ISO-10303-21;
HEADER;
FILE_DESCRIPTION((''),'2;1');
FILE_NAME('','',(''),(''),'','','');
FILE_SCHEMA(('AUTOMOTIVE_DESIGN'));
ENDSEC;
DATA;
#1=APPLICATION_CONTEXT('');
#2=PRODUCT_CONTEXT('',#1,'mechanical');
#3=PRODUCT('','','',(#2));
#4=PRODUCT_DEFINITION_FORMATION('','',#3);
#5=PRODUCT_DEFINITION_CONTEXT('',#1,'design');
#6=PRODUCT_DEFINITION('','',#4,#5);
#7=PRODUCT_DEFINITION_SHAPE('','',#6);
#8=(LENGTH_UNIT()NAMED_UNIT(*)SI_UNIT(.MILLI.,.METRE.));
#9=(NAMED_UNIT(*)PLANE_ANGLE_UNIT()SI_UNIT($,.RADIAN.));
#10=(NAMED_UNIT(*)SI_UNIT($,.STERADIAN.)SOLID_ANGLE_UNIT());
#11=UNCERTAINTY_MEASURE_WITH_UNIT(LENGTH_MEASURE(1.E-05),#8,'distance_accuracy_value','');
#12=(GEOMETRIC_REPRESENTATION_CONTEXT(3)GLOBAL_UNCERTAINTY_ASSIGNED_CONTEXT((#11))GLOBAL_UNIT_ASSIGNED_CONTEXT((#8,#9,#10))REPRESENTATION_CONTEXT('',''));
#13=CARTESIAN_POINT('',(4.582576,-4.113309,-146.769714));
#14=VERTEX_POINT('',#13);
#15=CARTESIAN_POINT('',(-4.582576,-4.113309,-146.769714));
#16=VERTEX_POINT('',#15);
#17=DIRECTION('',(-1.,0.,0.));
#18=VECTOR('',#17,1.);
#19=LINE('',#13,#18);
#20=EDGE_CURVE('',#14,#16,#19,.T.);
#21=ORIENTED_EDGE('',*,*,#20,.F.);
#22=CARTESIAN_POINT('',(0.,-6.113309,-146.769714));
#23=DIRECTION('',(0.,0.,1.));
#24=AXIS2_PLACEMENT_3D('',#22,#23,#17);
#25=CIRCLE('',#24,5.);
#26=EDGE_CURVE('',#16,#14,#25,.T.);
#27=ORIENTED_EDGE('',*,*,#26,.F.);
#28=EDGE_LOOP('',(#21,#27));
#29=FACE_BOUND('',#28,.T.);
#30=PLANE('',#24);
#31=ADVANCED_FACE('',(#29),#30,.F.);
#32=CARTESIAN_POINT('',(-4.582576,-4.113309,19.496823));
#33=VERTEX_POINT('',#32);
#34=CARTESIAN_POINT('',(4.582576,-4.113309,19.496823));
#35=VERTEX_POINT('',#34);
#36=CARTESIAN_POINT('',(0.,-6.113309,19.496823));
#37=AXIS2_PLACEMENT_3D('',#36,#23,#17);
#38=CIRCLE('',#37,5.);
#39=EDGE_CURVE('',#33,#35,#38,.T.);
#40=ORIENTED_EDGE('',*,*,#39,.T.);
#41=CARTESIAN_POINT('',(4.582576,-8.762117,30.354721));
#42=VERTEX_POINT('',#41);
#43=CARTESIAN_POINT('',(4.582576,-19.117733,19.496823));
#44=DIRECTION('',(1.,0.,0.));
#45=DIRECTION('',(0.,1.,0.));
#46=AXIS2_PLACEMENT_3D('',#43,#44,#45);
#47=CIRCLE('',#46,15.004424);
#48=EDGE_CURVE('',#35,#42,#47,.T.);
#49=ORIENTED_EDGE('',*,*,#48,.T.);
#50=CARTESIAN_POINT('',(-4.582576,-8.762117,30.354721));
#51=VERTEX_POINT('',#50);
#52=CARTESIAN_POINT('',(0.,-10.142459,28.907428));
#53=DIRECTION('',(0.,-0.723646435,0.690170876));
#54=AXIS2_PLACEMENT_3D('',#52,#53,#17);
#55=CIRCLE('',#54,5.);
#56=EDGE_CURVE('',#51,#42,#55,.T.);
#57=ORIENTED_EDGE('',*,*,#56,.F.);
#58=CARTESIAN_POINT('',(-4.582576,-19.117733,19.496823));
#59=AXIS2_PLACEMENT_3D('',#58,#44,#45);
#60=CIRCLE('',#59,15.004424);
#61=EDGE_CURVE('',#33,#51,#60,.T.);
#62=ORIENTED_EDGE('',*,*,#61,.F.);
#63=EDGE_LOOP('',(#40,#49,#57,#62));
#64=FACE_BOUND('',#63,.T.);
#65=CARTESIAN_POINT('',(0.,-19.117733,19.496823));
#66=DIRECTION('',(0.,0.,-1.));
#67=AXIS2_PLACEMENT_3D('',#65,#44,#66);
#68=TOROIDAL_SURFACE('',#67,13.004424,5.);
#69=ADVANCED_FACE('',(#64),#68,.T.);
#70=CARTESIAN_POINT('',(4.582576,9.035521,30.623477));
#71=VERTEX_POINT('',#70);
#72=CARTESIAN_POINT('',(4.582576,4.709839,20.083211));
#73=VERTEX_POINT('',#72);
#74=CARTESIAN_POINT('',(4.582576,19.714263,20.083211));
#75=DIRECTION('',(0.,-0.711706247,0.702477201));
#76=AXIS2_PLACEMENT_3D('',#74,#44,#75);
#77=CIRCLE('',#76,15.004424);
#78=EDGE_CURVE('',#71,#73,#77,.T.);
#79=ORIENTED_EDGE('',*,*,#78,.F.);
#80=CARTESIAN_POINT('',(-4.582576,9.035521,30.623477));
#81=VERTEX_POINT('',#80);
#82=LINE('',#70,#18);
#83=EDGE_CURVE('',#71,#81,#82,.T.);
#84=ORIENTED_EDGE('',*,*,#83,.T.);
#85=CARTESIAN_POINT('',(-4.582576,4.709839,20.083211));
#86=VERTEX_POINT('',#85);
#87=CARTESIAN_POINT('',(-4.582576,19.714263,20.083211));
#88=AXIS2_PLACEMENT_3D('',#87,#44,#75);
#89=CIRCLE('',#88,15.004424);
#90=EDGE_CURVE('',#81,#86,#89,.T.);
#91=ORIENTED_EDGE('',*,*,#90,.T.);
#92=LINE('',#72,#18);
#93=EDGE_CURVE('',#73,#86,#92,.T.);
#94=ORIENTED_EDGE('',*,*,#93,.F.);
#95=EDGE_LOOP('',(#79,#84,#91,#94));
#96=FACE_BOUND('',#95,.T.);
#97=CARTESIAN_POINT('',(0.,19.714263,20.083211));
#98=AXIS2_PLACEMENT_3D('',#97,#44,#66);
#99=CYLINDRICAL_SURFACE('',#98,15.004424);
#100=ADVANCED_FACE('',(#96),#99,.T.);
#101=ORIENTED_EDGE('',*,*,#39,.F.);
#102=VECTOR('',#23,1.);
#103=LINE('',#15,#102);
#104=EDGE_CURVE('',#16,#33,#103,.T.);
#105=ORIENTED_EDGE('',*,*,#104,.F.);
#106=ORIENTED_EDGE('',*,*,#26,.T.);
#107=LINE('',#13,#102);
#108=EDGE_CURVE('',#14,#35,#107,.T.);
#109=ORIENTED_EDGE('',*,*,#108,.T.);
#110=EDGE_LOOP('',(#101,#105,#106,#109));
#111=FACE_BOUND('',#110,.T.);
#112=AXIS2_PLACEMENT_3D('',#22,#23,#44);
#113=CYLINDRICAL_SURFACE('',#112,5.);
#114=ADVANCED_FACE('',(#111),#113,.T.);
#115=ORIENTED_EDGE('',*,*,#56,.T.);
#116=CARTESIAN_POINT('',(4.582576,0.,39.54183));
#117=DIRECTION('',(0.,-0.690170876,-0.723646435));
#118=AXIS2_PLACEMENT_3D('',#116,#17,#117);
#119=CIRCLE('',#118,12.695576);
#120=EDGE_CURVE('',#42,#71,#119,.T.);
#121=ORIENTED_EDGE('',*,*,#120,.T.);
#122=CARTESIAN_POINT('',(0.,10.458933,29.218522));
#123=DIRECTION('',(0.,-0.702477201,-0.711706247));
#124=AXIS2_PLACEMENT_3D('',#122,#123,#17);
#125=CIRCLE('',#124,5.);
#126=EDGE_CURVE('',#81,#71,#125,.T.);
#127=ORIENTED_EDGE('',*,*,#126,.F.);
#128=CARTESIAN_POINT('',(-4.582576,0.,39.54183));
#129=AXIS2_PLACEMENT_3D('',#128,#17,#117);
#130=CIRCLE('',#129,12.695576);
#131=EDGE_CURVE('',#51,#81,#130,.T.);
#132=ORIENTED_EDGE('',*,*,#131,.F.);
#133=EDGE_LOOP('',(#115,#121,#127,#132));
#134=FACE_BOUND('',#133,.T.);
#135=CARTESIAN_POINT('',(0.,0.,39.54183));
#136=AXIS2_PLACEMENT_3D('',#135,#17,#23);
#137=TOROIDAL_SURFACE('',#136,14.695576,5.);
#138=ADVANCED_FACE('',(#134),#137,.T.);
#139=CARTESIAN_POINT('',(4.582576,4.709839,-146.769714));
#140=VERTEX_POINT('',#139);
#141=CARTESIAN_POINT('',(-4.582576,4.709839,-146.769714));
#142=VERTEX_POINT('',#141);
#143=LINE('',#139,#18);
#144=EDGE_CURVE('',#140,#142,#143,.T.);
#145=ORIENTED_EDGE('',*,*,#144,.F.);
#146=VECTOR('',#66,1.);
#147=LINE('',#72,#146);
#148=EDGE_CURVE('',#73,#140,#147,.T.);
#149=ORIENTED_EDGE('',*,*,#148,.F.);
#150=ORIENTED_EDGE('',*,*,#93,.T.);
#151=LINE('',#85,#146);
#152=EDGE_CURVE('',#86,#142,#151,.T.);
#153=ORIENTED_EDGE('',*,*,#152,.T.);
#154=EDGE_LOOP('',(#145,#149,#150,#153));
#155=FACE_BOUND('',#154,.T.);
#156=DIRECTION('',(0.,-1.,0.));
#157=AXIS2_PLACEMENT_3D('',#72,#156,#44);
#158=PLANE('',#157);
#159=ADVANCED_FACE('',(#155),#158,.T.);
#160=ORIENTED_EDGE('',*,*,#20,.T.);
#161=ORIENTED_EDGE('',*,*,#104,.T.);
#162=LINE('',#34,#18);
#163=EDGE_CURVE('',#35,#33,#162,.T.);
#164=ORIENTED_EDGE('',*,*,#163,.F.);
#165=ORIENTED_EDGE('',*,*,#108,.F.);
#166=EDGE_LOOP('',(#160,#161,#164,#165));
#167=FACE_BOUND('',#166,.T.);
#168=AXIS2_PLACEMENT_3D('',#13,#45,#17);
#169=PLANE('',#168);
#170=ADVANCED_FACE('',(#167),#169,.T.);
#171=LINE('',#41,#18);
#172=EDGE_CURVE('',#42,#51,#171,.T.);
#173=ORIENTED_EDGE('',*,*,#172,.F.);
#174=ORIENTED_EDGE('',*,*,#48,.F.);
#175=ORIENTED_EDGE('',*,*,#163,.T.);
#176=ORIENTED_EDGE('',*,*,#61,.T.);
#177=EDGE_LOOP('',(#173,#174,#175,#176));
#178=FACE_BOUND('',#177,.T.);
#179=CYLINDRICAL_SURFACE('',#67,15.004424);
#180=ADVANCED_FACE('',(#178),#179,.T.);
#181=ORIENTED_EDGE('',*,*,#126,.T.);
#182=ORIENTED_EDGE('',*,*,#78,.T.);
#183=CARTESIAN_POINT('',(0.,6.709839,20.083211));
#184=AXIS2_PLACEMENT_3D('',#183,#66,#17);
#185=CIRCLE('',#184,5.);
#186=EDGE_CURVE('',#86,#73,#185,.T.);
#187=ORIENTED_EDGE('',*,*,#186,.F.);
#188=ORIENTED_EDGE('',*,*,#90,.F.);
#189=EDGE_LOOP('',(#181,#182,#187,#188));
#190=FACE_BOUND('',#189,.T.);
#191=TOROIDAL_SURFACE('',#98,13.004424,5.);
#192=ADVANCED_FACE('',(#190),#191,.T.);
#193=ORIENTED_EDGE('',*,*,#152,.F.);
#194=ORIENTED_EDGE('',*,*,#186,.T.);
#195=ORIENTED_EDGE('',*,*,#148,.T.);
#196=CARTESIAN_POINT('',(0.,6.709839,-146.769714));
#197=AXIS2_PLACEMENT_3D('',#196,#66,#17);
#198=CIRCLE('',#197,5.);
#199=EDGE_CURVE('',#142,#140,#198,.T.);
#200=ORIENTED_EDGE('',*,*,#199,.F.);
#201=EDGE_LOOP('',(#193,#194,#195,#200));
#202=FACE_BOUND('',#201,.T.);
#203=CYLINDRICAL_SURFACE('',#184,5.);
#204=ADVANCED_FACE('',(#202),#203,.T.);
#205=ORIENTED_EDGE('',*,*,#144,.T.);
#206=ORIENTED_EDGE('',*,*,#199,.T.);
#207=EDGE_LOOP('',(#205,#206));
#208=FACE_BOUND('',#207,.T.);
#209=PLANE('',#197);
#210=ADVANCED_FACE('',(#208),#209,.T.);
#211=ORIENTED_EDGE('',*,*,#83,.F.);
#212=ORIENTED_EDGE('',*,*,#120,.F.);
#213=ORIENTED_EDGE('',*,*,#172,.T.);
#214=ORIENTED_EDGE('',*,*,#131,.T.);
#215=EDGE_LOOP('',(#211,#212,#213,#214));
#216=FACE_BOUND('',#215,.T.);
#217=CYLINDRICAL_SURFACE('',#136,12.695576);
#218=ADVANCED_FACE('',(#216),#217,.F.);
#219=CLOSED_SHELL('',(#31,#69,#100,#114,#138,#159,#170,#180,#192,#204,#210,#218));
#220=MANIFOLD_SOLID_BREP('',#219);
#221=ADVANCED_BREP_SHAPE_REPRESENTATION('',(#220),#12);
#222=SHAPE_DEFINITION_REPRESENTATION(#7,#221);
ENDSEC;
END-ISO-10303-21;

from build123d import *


with BuildPart() as part:
    # Sweep1: sweep along a path in Sketch1
    with BuildLine(Plane(origin=(0, 0, 0), x_dir=(0, 0, -1), z_dir=(1, 0, 0))) as sweep1_path:
        Line((146.769713615, 4.71426304), (-20.083211115, 4.71426304))
        ThreePointArc((-20.083211115, 4.71426304), (-25.778213065, 5.837413514), (-30.620369131, 9.038669336))
        ThreePointArc((-30.620369131, 9.038669336), (-52.240381848, -0.191756193), (-30.351519864, -8.76517012))
        ThreePointArc((-30.351519864, -8.76517012), (-25.400701432, -5.328453957), (-19.496823343, -4.117733253))
        Line((-19.496823343, -4.117733253), (146.769713615, -4.117733253))
    # Sketch2 → Sweep1 (sweep)
    with BuildSketch(Plane(origin=(0, 4.71426304, -146.769713615), x_dir=(-1, 0, 0), z_dir=(0, 0, -1))):
        with BuildLine():
            Line((-4.582575695, -0.004424014), (4.582575695, -0.004424014))
            ThreePointArc((4.582575695, -0.004424014), (0, 6.995575986), (-4.582575695, -0.004424014))
        make_face()
    sweep(path=sweep1_path.line)


solid = part.part
